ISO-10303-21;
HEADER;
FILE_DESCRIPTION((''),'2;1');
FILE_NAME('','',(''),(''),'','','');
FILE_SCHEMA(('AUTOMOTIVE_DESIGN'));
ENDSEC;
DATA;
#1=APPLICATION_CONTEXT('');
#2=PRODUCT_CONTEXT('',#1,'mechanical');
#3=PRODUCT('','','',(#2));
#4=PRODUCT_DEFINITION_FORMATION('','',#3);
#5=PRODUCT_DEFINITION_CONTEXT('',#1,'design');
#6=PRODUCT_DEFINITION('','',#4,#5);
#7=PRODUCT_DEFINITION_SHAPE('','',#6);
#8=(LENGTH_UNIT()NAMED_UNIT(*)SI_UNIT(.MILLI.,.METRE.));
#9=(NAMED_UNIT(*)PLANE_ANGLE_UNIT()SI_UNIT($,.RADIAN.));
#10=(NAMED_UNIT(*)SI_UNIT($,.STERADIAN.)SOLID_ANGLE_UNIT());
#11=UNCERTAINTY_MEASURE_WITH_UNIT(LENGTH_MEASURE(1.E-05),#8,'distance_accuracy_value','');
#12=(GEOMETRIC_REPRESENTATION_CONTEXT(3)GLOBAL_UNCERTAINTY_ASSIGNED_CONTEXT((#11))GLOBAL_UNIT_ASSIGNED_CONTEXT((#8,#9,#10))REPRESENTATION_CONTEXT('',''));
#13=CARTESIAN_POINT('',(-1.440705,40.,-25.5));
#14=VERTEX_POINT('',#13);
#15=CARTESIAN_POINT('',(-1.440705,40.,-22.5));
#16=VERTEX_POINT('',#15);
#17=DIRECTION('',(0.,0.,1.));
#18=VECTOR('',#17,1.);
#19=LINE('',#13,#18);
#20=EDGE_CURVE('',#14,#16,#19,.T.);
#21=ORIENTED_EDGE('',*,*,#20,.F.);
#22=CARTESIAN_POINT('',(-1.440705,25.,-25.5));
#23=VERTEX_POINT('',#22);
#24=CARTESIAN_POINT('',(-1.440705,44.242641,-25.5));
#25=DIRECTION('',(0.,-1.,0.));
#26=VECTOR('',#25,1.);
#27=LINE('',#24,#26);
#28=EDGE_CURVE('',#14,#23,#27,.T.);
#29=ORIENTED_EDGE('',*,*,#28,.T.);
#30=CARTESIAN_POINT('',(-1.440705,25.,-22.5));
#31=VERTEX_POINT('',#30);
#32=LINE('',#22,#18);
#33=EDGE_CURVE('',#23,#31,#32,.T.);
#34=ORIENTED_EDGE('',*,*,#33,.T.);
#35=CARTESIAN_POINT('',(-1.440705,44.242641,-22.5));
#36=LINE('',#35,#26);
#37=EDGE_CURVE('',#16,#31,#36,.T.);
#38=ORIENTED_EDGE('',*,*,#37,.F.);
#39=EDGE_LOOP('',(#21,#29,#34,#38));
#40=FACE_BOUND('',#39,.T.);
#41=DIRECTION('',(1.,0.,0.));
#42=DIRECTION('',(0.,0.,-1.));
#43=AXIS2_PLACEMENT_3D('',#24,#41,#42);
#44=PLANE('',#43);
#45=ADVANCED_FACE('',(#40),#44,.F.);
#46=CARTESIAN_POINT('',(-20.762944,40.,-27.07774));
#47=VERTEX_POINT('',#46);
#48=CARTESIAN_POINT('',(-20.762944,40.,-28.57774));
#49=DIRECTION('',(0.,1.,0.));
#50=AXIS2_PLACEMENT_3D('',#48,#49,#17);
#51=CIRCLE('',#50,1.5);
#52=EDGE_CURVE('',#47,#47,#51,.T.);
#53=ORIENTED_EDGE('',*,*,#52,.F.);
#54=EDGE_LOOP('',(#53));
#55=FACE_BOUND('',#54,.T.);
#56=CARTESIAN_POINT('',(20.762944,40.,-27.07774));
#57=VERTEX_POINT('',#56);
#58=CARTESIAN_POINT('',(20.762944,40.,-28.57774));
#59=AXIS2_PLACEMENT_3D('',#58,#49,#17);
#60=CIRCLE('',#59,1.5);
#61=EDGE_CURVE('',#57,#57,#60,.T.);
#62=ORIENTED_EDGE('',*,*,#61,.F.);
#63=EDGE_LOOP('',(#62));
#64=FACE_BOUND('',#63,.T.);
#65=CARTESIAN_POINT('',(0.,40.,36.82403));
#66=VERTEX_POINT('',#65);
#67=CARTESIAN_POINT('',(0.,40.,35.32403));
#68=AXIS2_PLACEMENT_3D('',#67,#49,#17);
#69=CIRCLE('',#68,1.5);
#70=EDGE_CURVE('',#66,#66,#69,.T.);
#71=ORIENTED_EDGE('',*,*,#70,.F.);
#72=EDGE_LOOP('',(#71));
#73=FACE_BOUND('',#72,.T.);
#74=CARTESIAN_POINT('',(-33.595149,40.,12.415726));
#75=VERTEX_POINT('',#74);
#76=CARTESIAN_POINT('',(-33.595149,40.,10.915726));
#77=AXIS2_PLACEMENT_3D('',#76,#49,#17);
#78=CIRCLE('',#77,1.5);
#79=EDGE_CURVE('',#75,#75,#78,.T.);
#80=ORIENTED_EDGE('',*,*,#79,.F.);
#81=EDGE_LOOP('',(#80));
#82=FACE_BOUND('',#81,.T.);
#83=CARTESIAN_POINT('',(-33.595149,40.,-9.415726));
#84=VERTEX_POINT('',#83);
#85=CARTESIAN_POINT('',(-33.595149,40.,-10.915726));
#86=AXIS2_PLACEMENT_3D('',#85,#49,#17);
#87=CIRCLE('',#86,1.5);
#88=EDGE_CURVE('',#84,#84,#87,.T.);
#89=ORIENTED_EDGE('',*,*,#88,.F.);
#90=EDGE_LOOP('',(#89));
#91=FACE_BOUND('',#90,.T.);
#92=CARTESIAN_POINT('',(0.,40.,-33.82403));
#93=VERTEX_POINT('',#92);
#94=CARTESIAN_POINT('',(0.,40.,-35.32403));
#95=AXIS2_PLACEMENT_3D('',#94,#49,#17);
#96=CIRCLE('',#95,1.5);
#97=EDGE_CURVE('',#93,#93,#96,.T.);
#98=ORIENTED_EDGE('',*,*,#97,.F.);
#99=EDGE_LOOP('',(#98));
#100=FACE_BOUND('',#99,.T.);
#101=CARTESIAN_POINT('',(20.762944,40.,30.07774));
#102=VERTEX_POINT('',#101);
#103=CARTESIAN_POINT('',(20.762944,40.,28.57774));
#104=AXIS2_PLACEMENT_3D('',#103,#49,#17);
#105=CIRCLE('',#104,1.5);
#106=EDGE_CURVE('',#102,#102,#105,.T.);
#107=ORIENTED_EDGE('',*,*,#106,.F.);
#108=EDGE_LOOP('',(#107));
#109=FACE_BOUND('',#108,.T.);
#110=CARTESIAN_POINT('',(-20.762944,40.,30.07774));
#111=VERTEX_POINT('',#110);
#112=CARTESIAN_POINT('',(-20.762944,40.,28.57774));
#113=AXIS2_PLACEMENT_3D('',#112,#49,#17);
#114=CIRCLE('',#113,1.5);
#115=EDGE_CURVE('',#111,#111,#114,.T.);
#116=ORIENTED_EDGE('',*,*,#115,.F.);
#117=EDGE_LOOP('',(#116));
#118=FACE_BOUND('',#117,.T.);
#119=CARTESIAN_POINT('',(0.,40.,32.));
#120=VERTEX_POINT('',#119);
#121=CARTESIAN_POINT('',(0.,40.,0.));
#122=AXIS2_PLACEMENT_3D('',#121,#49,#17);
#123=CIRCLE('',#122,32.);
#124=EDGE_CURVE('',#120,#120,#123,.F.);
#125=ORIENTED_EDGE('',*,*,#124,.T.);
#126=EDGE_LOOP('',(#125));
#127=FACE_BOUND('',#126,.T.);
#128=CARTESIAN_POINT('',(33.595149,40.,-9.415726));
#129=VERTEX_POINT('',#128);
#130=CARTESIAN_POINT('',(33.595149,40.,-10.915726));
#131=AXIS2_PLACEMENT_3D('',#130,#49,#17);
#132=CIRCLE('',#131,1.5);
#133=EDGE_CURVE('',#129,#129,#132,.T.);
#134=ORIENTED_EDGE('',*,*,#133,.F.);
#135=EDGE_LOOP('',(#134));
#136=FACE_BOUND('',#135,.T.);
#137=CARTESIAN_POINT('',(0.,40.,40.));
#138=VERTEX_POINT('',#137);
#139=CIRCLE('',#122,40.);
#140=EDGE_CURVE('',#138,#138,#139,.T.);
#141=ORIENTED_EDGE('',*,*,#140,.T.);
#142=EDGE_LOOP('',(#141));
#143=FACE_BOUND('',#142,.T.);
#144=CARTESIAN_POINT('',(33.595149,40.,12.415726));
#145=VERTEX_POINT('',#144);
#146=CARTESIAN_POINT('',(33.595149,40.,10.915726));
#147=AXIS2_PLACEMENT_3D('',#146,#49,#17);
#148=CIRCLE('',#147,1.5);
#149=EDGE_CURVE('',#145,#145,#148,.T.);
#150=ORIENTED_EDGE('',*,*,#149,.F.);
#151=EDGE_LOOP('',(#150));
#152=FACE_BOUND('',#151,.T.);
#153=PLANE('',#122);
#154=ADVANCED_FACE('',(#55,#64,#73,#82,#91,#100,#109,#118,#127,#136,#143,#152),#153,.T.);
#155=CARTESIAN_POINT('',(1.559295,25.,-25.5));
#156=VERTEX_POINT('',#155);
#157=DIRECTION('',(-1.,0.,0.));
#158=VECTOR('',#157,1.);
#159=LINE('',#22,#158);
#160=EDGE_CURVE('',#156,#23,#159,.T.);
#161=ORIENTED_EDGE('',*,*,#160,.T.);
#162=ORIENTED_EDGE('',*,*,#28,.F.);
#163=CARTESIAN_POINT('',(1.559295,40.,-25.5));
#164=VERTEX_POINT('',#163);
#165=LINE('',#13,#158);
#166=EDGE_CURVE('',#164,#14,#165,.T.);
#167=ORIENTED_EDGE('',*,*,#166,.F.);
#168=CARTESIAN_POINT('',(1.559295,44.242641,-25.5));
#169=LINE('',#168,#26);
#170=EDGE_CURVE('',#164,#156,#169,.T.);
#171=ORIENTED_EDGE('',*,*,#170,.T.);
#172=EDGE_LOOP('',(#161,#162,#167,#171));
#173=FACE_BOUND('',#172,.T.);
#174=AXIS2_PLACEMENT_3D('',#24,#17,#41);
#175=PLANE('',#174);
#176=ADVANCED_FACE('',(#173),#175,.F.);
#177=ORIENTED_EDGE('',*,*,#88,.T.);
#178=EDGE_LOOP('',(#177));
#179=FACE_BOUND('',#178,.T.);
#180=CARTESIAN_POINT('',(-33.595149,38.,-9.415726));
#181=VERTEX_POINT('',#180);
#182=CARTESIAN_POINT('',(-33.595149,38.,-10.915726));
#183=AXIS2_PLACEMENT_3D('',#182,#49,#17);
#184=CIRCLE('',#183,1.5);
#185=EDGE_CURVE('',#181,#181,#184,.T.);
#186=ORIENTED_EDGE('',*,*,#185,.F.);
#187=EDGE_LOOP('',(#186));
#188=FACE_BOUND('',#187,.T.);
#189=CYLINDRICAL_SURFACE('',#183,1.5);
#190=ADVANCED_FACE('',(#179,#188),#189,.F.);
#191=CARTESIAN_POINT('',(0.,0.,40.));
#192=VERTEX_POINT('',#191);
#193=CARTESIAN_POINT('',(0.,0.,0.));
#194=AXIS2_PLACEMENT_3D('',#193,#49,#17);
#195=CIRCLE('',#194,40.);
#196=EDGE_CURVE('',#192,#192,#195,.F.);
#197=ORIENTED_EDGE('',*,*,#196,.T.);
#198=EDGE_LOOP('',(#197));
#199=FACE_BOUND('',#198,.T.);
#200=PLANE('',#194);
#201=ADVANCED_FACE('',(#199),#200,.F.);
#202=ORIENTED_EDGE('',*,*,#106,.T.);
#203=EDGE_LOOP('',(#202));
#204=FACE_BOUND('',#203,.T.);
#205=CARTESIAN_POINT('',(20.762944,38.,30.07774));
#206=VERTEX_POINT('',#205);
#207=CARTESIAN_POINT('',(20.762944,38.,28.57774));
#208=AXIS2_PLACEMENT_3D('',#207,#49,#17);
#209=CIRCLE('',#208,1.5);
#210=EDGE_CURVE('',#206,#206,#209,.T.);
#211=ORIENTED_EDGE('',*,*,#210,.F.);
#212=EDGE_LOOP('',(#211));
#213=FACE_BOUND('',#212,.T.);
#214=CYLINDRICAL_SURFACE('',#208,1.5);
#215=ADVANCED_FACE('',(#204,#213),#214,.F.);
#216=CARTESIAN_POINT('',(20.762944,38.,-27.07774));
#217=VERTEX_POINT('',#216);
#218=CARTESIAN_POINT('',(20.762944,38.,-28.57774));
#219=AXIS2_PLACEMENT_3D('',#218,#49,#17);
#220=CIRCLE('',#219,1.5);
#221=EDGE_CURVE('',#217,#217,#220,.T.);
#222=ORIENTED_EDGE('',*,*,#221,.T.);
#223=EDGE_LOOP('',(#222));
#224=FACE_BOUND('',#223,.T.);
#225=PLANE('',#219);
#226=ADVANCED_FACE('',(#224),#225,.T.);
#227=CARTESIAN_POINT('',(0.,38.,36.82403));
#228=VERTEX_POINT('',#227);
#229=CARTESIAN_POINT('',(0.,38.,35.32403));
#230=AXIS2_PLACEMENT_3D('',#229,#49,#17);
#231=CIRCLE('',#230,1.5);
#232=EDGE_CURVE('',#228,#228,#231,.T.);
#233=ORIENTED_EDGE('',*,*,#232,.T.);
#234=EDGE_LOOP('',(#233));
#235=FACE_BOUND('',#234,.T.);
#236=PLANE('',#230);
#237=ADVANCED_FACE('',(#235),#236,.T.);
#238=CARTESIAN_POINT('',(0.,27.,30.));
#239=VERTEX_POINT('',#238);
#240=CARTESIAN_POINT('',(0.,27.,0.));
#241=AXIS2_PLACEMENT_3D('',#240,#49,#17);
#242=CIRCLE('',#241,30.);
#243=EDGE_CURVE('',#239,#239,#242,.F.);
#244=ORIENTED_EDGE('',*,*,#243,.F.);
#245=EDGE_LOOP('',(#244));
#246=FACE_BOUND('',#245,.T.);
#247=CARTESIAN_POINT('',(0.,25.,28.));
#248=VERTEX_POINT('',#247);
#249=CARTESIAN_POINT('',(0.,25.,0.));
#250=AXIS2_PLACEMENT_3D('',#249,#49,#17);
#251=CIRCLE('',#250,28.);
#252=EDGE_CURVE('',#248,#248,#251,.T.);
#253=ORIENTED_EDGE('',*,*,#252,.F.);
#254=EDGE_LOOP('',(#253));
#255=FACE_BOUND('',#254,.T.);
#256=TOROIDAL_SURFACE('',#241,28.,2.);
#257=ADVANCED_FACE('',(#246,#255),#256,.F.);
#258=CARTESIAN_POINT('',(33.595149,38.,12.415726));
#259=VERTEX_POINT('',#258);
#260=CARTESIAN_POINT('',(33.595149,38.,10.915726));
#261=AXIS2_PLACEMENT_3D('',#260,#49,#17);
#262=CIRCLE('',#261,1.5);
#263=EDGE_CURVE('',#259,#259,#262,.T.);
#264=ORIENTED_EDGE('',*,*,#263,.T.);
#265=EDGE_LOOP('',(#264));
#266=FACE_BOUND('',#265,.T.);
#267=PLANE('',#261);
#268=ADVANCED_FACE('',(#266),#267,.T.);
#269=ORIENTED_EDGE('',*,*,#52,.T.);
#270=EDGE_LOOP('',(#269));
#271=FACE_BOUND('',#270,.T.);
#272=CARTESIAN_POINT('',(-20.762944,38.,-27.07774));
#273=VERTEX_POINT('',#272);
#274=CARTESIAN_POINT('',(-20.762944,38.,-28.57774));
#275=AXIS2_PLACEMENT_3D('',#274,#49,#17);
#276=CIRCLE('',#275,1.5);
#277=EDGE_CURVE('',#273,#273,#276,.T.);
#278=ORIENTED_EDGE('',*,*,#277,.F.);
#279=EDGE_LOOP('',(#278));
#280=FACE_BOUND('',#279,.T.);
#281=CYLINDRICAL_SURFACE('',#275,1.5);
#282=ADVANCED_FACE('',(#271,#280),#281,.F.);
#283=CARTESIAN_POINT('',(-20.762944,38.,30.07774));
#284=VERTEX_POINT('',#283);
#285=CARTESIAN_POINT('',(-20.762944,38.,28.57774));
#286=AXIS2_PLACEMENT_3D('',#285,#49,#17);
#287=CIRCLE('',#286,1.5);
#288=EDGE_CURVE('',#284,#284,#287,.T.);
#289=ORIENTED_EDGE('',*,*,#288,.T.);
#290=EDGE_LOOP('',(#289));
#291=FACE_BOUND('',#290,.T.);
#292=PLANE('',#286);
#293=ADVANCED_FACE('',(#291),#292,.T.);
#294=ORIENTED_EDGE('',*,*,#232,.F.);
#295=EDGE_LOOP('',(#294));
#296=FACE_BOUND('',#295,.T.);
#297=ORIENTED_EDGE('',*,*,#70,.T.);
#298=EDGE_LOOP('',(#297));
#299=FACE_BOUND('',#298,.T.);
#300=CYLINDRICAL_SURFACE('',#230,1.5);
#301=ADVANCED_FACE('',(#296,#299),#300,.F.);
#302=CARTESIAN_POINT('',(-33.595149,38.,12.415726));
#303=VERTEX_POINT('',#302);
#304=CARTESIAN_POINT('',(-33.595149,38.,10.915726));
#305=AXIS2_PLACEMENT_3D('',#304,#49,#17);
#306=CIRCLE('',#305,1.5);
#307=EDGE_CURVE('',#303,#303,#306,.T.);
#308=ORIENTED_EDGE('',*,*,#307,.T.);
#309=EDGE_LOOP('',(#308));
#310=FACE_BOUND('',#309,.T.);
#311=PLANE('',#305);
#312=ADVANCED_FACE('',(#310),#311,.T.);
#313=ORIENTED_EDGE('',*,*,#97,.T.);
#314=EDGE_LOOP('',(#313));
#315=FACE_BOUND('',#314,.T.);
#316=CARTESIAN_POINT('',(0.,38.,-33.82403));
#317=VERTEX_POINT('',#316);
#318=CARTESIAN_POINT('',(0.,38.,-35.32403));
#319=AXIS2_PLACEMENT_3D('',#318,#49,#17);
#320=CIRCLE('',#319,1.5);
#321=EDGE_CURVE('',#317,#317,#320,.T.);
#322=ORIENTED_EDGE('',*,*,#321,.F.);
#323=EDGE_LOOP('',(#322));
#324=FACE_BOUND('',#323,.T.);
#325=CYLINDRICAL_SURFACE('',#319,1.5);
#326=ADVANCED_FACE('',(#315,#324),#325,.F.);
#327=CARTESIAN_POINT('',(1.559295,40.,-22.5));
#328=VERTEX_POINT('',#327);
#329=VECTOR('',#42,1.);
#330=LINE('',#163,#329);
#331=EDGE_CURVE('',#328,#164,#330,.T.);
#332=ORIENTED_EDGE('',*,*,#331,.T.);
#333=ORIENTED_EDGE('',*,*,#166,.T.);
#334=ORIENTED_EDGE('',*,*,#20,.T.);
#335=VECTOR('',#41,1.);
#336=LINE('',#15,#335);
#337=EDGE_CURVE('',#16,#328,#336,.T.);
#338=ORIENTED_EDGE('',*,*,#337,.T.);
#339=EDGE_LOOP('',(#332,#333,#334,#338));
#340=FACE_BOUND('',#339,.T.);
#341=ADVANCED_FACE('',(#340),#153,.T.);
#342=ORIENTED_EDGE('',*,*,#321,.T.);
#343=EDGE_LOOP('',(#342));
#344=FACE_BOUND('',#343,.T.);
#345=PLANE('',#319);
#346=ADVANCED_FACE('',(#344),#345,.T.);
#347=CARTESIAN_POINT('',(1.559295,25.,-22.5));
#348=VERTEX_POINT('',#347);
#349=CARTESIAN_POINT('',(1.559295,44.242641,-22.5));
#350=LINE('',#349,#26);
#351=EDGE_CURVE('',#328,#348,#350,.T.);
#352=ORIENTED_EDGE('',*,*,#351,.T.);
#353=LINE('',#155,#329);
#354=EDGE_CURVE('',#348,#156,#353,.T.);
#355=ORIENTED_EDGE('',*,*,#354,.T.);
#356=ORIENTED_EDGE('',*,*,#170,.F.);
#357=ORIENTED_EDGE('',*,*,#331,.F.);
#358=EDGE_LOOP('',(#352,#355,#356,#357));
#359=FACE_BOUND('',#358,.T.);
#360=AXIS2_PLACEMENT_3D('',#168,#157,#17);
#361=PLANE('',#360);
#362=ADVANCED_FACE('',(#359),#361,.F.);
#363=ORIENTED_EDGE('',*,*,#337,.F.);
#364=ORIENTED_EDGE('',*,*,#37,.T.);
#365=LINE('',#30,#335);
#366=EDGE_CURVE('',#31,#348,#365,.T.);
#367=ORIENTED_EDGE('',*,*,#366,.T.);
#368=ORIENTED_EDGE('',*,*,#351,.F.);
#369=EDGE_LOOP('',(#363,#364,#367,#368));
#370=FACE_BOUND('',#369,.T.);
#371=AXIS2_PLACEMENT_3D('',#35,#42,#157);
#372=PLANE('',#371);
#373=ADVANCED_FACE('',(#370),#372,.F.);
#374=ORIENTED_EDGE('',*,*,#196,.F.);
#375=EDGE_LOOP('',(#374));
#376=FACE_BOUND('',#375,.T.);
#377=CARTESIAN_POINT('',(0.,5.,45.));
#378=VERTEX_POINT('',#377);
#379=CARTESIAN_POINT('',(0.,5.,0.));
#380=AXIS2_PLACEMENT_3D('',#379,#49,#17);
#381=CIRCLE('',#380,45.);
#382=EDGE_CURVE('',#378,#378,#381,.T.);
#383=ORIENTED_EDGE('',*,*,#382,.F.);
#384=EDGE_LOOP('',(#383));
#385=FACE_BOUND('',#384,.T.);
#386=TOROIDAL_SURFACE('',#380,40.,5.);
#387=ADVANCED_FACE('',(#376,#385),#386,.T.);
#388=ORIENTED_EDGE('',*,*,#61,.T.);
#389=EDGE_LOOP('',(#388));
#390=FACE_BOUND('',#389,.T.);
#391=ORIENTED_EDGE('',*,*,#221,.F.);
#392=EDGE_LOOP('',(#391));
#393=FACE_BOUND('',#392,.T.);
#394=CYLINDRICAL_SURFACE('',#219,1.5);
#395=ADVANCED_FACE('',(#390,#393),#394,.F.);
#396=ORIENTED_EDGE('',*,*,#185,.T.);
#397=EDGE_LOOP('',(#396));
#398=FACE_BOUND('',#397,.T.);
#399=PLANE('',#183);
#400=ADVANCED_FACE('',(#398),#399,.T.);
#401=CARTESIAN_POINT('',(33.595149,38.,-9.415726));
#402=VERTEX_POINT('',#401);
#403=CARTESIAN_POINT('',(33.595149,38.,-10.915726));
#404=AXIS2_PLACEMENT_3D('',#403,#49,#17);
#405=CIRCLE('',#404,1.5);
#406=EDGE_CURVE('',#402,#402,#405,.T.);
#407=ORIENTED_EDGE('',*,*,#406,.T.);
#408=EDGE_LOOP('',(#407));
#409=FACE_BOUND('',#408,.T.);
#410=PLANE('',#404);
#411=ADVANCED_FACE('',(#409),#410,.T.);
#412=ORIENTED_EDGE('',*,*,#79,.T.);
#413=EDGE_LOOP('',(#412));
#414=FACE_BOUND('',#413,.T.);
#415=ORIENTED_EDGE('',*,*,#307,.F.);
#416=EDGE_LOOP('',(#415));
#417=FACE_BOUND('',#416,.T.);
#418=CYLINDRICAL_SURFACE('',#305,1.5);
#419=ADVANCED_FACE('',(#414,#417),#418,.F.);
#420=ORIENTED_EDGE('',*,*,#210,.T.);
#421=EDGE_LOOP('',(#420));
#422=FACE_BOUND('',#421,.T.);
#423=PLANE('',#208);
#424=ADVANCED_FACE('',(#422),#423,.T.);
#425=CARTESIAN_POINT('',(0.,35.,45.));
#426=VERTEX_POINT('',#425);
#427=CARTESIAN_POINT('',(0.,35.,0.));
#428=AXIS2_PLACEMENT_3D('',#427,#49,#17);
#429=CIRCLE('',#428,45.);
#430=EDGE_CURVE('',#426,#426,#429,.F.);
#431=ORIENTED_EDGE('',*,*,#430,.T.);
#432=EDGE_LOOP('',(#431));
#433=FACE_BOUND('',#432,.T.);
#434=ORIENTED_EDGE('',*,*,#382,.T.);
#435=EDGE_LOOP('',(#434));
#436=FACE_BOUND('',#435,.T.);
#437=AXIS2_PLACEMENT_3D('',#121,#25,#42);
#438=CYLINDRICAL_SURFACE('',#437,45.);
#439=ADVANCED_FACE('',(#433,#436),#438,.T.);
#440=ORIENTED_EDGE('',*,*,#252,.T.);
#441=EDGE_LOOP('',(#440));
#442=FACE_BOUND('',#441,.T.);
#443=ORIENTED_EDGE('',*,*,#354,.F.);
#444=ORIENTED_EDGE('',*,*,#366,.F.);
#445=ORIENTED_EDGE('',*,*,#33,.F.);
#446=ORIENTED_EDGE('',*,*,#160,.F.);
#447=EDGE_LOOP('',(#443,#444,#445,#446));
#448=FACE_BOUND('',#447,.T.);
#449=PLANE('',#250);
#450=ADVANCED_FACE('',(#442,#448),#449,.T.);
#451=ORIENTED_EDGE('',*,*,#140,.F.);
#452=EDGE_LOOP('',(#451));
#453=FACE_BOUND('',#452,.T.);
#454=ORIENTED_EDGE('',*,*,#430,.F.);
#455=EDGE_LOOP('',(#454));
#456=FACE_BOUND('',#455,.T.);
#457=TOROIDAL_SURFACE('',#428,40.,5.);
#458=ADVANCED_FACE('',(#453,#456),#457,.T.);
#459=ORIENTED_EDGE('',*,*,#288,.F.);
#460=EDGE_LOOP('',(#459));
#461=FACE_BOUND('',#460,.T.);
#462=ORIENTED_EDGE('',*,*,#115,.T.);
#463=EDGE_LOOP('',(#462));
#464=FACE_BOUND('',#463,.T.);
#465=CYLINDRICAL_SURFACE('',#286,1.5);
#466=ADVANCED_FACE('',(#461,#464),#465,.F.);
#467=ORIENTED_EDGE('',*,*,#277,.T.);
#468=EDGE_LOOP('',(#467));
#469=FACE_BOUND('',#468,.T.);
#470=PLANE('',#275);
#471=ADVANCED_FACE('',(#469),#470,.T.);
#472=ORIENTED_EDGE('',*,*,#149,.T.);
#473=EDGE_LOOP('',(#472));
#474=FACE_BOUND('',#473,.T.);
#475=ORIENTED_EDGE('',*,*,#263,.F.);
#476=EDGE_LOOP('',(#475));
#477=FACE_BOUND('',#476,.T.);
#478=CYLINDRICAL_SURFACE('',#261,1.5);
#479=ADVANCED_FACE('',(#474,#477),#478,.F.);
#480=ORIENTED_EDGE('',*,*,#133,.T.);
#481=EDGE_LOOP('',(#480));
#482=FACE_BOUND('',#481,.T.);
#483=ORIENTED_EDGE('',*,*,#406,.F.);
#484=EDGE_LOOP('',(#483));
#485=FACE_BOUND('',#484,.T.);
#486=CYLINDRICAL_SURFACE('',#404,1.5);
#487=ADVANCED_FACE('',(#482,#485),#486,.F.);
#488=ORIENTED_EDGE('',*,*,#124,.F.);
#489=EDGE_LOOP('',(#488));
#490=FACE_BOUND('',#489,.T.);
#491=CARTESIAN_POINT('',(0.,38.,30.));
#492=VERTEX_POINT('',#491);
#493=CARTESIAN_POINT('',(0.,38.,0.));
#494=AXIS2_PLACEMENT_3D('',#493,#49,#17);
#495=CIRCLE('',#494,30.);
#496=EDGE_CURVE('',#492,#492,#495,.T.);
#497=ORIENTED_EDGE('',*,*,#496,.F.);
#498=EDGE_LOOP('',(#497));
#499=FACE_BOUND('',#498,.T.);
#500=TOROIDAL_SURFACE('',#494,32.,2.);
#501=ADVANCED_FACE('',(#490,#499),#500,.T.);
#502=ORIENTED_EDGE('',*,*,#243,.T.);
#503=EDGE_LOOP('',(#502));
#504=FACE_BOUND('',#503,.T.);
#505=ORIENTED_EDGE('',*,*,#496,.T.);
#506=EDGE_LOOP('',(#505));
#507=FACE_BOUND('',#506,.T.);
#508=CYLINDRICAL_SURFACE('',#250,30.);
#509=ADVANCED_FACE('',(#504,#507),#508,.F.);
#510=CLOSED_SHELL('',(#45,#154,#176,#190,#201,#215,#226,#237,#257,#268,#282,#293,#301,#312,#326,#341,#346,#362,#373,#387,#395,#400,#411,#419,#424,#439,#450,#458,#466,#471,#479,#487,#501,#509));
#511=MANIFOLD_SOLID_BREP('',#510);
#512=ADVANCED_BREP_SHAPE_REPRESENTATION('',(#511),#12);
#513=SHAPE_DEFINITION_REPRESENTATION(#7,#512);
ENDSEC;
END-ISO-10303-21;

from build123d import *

# Parameters (mm, degrees)
SKETCH1_R           = 45
BOSS_EXTRUDE1_DEPTH = 40
FILLET1_R           = 5
SKETCH2_R           = 30
CUT_EXTRUDE1_DEPTH  = 15
FILLET2_R           = 2
SKETCH3_R           = 1.5
CUT_EXTRUDE2_DEPTH  = 2
SKETCH4_W           = 3
SKETCH4_H           = 3
BOSS_EXTRUDE2_DEPTH = 15


with BuildPart() as part:
    # Sketch1 → Boss-Extrude1 (new body)
    with BuildSketch(Plane(origin=(0, 0, 0), x_dir=(1, 0, 0), z_dir=(0, 1, 0))):
        Circle(SKETCH1_R)
    extrude(amount=BOSS_EXTRUDE1_DEPTH)

    # Fillet1
    fillet1_edges = [part.edges().sort_by_distance(p)[0] for p in [
        (-45, 0, 0),
        (-45, 40, 0),
    ]]
    fillet(fillet1_edges, radius=FILLET1_R)

    # Sketch2 → Cut-Extrude1 (cut)
    with BuildSketch(Plane(origin=(0, 40, 0), x_dir=(1, 0, 0), z_dir=(0, 1, 0))):
        Circle(SKETCH2_R)
    extrude(amount=-CUT_EXTRUDE1_DEPTH, mode=Mode.SUBTRACT)

    # Fillet2
    fillet2_edges = [part.edges().sort_by_distance(p)[0] for p in [
        (-30, 25, 0),
        (-30, 40, 0),
    ]]
    fillet(fillet2_edges, radius=FILLET2_R)

    # Sketch3 → Cut-Extrude2 (cut)
    with BuildSketch(Plane(origin=(0, 40, 0), x_dir=(1, 0, 0), z_dir=(0, 1, 0))):
        with Locations((0, 35.324029749)):
            Circle(SKETCH3_R)
        with Locations((20.762943738, 28.577740377)):
            Circle(SKETCH3_R)
        with Locations((33.595148675, 10.915725502)):
            Circle(SKETCH3_R)
        with Locations((33.595148675, -10.915725502)):
            Circle(SKETCH3_R)
        with Locations((20.762943738, -28.577740377)):
            Circle(SKETCH3_R)
        with Locations((0, -35.324029749)):
            Circle(SKETCH3_R)
        with Locations((-20.762943738, -28.577740377)):
            Circle(SKETCH3_R)
        with Locations((-33.595148675, -10.915725502)):
            Circle(SKETCH3_R)
        with Locations((-33.595148675, 10.915725502)):
            Circle(SKETCH3_R)
        with Locations((-20.762943738, 28.577740377)):
            Circle(SKETCH3_R)
    extrude(amount=-CUT_EXTRUDE2_DEPTH, mode=Mode.SUBTRACT)

    # Sketch4 → Boss-Extrude2 (add)
    with BuildSketch(Plane(origin=(0, 25, 0), x_dir=(1, 0, 0), z_dir=(0, 1, 0))):
        with Locations((0.059295031, 24)):
            Rectangle(SKETCH4_W, SKETCH4_H)
    extrude(amount=BOSS_EXTRUDE2_DEPTH)


solid = part.part
